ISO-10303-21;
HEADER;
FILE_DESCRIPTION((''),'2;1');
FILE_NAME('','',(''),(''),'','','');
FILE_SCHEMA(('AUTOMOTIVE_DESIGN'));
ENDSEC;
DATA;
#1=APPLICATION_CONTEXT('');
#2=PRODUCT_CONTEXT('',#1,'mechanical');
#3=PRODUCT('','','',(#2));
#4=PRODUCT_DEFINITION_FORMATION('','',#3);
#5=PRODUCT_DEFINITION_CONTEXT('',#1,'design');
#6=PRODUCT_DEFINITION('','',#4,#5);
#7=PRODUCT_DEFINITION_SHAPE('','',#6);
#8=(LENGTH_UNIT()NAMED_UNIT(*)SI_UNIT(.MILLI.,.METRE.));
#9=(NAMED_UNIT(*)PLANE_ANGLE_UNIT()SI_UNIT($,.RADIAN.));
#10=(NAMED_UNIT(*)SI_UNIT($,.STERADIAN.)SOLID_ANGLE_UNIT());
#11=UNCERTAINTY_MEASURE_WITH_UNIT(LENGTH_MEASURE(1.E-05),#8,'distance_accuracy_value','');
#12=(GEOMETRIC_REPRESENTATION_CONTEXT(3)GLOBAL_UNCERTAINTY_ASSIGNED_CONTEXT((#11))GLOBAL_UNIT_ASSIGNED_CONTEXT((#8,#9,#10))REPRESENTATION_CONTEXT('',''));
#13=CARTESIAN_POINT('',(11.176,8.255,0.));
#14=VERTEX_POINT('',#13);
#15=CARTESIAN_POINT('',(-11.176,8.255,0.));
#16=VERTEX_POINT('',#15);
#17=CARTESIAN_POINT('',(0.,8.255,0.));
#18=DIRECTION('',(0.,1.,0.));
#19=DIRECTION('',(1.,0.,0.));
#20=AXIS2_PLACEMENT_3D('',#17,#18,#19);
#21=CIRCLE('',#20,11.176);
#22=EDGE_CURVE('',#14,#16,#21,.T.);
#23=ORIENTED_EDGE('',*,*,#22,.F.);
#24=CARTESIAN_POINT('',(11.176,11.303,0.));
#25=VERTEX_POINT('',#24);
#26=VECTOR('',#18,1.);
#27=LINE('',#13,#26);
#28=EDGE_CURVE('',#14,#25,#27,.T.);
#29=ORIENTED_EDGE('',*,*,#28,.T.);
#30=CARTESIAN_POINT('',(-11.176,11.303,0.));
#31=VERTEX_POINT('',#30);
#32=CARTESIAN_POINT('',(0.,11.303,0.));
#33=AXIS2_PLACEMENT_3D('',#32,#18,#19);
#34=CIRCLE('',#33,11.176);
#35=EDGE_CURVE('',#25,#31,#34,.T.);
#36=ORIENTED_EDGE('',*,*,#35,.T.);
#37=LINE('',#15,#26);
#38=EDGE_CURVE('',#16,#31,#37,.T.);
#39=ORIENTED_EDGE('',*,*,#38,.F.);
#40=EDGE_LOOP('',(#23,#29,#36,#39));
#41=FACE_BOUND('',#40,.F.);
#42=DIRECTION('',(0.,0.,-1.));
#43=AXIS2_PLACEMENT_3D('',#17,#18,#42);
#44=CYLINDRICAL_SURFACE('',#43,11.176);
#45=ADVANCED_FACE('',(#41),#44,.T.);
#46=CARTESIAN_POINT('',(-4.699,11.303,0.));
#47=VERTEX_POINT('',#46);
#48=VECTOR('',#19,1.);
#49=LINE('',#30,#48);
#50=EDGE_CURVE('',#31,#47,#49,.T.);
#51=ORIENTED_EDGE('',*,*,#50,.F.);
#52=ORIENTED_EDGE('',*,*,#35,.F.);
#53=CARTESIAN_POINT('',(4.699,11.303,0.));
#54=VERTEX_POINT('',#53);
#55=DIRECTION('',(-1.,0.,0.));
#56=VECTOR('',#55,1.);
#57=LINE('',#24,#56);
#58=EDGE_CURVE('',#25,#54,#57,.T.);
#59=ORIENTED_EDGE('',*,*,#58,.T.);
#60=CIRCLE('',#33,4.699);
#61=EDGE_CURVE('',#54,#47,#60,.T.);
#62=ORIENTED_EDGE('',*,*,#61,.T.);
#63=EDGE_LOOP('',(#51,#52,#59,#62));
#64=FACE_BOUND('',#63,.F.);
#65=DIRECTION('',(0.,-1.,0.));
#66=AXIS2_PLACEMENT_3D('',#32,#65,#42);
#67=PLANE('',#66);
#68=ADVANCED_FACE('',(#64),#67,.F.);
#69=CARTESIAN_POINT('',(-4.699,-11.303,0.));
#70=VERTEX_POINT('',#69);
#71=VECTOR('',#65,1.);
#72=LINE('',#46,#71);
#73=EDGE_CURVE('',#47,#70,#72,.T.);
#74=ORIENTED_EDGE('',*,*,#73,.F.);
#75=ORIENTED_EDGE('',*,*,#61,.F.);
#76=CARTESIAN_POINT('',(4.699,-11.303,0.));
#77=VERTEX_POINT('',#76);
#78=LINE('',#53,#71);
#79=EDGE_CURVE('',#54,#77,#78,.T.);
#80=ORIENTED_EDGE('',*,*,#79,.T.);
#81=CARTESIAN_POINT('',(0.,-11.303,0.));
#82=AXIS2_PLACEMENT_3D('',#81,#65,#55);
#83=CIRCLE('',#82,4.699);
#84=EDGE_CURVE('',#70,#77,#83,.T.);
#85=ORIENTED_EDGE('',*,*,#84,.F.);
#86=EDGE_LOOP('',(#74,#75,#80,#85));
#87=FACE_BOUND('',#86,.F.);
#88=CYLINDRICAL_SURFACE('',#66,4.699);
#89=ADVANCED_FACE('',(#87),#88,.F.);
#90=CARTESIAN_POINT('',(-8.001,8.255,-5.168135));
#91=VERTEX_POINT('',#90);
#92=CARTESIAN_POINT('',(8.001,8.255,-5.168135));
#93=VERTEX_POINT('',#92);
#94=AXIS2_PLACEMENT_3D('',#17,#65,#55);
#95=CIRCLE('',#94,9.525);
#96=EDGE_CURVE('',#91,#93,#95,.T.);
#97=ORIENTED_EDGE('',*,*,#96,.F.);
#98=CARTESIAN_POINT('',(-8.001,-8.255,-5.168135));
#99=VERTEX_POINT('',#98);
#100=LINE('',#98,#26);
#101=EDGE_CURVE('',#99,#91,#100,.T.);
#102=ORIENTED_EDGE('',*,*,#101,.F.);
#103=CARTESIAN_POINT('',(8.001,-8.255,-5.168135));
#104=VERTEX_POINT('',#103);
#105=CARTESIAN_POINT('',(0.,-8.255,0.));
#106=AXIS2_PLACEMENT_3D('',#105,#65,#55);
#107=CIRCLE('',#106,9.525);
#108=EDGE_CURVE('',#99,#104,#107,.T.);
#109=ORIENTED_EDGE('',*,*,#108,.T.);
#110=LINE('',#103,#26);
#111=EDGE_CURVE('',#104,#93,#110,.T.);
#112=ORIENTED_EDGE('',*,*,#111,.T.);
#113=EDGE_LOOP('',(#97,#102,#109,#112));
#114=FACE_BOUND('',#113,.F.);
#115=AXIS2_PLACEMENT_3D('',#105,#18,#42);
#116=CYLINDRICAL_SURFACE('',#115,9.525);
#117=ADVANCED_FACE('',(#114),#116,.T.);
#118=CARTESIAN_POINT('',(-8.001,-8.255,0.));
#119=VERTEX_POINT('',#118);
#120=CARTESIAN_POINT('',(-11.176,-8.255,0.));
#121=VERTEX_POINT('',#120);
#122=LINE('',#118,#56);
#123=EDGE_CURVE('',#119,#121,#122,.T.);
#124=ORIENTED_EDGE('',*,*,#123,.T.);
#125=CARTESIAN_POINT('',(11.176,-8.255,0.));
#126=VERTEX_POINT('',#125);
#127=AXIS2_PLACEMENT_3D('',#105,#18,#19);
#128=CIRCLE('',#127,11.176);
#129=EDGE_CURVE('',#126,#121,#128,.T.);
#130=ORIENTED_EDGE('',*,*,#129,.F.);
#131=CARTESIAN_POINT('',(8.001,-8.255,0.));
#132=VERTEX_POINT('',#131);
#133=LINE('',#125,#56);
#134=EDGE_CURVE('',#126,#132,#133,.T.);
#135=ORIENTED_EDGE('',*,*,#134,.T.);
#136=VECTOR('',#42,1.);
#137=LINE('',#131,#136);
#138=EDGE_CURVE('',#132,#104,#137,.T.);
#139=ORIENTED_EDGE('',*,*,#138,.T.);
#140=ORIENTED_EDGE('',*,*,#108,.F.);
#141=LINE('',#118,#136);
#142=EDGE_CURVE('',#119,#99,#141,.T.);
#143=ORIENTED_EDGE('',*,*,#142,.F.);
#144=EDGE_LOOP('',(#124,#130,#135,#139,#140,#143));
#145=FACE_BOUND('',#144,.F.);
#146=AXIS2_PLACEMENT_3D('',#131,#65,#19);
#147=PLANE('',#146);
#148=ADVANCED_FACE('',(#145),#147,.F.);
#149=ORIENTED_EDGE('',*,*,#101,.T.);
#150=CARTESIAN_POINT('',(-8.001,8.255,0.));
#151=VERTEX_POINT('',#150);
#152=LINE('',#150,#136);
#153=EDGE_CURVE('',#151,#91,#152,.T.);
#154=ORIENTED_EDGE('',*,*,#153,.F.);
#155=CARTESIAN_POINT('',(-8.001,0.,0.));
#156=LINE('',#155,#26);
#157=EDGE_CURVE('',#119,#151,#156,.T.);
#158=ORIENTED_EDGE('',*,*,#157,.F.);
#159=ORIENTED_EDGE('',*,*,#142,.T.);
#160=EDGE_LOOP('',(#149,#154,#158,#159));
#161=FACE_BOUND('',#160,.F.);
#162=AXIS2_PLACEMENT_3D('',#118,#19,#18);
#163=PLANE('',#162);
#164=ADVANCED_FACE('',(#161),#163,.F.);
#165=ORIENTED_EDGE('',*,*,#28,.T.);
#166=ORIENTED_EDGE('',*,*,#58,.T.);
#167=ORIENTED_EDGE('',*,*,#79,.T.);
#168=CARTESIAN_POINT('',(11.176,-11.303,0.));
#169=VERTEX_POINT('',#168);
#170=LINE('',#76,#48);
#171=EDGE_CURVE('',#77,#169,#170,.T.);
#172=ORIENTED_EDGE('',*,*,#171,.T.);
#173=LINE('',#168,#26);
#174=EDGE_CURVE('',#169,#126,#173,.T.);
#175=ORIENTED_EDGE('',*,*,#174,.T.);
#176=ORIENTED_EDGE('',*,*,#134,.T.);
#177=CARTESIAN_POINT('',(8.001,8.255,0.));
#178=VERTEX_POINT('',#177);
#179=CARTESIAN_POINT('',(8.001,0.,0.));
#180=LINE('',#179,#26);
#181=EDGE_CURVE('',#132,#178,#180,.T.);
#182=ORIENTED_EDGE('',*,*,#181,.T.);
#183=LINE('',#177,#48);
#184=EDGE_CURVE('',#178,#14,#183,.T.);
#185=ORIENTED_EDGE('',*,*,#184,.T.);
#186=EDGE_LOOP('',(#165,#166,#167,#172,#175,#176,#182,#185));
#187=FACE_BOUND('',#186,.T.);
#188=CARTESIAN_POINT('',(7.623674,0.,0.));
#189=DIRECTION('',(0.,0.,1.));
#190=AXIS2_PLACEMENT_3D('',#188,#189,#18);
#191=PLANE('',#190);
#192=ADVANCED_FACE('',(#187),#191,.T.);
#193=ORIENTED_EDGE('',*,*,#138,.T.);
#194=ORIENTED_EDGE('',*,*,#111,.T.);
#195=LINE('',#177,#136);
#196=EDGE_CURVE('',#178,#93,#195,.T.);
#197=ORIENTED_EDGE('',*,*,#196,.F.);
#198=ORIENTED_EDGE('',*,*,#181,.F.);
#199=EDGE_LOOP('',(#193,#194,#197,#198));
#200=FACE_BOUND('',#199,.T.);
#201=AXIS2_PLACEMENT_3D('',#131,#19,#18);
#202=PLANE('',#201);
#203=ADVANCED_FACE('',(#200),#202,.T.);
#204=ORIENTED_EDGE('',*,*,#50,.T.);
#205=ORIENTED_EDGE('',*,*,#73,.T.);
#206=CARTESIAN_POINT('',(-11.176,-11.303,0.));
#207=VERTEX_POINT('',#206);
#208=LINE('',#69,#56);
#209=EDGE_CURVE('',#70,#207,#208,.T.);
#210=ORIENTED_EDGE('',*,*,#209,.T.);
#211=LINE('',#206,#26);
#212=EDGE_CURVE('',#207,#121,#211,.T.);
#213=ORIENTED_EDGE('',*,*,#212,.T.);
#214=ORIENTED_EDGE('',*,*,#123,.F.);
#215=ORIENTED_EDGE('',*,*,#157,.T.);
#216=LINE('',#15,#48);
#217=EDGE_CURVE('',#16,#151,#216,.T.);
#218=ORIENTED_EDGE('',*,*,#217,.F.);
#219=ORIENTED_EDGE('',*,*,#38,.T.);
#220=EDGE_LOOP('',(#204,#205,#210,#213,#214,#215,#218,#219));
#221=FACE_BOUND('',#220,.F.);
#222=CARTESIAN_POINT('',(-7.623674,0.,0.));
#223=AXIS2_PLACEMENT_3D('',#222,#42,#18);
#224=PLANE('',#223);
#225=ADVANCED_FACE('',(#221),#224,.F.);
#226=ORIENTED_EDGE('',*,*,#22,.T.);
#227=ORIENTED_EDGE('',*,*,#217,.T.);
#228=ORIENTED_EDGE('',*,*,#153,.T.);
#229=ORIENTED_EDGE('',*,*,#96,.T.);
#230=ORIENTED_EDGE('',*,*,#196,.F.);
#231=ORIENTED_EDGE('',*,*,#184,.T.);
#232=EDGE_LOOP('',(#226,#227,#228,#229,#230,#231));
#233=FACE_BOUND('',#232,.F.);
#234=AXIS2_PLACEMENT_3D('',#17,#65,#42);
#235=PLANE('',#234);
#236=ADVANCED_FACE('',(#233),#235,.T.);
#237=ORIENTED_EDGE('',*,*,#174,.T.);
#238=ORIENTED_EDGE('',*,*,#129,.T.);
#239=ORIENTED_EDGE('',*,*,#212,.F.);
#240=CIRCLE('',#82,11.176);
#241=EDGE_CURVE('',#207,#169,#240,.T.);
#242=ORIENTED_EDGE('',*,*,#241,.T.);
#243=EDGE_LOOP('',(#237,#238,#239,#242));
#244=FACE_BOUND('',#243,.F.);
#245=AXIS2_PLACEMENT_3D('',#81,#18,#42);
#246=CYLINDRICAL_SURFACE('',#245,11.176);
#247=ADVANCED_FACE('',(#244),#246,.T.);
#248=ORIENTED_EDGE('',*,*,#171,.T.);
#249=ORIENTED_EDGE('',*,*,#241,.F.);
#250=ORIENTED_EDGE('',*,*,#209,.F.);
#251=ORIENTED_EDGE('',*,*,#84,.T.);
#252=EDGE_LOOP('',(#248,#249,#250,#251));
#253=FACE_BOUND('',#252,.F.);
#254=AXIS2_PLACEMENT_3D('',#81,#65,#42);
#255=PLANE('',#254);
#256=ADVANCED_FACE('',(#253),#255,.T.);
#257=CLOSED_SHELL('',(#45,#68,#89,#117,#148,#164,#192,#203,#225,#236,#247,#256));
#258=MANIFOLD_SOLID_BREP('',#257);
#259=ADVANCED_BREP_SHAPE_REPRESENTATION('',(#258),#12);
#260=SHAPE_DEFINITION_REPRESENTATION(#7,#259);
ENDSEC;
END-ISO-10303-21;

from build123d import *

# Parameters (mm, degrees)
F1_ANGLE = 180
F2_W     = 1.524
F2_H     = 16.51
F3_DEPTH = 11.177


with BuildPart() as f1:
    # F0 (on Right) → F1 (revolve, symmetric)
    with BuildSketch(Plane.YZ) as f1_sk:
        Polygon((11.303, -4.699), (-11.303, -4.699), (-11.303, -11.176), (-8.255, -11.176), (-8.255, -9.525), (8.255, -9.525), (8.255, -11.176), (11.303, -11.176), align=None)
    revolve(axis=Axis((0, 0.390189, 0), (0, 1, 0)), revolution_arc=F1_ANGLE / 2)
    revolve(f1_sk.sketch, axis=Axis((0, 0.390189, 0), (0, -1, 0)), revolution_arc=F1_ANGLE / 2)

    # F2 (on face) → F3 (cut, through all)
    with BuildSketch(Plane.XY):
        with Locations((-8.763, 0)):
            Rectangle(F2_W, F2_H)
        with Locations((8.763, 0)):
            Rectangle(F2_W, F2_H)
    extrude(amount=-F3_DEPTH, mode=Mode.SUBTRACT)


solid = f1.part
